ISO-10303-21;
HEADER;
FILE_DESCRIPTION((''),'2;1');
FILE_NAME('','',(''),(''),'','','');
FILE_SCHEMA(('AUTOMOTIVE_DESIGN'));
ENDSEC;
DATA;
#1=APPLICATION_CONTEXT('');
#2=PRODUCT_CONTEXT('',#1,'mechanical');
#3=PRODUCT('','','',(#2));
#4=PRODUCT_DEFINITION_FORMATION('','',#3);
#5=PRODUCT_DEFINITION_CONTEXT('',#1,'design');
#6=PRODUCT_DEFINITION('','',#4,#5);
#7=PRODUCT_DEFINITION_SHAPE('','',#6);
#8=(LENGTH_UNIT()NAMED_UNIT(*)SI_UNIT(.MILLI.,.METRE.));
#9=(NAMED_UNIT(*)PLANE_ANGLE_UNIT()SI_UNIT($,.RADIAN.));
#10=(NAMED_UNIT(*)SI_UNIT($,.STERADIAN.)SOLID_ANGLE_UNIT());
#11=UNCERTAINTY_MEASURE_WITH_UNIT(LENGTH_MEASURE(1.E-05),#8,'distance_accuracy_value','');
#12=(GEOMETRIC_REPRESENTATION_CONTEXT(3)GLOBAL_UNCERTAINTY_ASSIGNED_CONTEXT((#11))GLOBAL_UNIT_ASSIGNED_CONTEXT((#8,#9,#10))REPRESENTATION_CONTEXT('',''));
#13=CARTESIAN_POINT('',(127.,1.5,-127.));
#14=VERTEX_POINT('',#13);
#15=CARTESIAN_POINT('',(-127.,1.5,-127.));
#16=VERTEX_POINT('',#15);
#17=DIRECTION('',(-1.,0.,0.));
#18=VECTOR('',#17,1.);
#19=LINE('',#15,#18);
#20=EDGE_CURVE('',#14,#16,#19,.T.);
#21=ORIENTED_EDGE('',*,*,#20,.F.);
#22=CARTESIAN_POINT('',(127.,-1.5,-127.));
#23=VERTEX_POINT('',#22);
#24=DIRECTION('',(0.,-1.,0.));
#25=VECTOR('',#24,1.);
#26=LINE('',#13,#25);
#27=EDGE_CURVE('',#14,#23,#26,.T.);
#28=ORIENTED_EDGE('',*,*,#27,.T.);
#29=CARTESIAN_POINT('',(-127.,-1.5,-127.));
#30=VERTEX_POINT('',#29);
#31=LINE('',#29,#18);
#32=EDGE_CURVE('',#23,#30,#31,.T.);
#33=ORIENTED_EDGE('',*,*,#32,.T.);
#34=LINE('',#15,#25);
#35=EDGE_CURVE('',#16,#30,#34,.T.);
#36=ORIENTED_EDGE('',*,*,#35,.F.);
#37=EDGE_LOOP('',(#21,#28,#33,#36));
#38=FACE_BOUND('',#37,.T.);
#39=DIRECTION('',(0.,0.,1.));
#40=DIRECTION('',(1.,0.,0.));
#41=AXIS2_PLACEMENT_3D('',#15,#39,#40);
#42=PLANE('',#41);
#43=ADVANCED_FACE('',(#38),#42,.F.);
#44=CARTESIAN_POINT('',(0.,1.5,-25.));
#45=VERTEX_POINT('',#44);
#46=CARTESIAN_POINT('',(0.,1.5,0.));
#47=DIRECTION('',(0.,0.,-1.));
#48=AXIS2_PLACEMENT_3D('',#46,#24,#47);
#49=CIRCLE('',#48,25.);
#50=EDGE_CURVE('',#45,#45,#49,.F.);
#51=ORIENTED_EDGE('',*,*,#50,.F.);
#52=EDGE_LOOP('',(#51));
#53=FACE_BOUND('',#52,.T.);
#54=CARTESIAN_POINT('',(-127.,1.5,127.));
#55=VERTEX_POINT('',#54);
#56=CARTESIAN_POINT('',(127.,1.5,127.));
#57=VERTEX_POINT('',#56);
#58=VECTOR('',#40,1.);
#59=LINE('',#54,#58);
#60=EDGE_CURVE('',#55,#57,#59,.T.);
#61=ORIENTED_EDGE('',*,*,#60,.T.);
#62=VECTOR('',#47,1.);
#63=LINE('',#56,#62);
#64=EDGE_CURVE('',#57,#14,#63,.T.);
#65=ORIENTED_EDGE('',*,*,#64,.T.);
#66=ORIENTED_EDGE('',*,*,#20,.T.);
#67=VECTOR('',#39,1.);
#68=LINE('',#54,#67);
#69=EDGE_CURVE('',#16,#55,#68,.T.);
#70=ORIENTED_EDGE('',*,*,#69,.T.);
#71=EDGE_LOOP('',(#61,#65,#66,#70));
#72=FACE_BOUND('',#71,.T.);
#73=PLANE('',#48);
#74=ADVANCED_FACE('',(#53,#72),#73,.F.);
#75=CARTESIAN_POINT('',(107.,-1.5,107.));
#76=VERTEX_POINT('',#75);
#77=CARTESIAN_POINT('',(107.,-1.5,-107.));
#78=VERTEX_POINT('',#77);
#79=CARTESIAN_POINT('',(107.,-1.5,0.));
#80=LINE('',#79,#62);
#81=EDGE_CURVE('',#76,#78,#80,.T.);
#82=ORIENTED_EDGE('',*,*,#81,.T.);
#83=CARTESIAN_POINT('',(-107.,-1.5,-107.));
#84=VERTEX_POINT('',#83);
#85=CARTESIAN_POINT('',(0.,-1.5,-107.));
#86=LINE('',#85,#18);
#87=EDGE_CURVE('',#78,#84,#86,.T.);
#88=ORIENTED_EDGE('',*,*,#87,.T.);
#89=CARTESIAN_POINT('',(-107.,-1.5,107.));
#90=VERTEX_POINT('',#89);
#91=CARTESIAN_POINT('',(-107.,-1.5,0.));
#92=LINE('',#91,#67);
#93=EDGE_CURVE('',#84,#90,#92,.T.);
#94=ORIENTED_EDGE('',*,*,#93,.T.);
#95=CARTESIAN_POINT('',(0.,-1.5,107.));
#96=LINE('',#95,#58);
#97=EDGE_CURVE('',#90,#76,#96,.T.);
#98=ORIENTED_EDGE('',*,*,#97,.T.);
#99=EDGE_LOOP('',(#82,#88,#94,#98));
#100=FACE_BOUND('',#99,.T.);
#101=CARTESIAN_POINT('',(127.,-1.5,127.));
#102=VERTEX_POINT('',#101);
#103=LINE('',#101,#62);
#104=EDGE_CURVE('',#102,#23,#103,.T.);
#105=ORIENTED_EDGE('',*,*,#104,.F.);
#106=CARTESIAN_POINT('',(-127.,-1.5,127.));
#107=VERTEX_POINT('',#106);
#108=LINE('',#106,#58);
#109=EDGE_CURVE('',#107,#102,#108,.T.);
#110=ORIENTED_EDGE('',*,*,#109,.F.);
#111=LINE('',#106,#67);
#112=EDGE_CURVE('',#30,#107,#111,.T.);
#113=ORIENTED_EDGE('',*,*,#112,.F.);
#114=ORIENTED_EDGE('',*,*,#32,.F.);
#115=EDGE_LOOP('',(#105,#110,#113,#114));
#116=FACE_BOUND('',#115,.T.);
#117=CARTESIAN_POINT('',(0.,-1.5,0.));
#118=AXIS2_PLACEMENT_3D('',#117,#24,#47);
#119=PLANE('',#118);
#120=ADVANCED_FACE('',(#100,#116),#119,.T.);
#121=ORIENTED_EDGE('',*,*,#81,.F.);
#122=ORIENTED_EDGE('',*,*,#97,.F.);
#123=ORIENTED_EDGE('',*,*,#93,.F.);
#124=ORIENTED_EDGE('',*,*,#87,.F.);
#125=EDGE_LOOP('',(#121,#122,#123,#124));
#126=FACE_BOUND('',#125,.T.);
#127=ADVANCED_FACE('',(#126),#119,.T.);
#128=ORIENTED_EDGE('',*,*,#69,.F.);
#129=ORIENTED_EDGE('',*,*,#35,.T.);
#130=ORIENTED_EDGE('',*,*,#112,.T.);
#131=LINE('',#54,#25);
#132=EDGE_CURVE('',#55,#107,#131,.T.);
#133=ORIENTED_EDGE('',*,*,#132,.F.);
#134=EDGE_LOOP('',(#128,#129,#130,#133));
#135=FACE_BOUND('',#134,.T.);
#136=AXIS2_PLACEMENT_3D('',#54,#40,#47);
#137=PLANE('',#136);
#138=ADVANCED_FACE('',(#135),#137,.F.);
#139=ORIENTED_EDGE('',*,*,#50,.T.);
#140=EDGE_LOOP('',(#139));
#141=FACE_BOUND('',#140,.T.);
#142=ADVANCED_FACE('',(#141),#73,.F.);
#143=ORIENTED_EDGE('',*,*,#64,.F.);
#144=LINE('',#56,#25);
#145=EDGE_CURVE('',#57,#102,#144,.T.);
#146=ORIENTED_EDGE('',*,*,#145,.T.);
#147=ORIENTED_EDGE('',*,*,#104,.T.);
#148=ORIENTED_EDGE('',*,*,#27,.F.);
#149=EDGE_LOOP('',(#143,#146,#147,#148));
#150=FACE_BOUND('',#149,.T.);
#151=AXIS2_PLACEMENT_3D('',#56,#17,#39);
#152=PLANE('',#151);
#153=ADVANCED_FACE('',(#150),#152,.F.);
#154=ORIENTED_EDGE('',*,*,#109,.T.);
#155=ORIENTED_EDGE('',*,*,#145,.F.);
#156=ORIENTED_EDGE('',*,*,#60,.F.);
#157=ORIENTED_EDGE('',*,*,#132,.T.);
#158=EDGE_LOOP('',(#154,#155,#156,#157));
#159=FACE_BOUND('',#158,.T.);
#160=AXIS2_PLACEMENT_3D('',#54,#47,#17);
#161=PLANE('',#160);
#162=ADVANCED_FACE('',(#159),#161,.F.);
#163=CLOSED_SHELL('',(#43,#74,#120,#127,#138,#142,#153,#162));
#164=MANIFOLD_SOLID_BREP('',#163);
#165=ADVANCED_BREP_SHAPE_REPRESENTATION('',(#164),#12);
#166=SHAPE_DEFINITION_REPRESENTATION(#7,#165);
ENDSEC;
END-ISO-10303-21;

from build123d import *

# Parameters (mm, degrees)
SKETCH1_W           = 254
SKETCH1_H           = 254
BOSS_EXTRUDE1_DEPTH = 1.5


with BuildPart() as part:
    # Sketch1 → Boss-Extrude1 (new, symmetric)
    with BuildSketch(Plane(origin=(0, 0, 0), x_dir=(1, 0, 0), z_dir=(0, 1, 0))):
        Rectangle(SKETCH1_W, SKETCH1_H)
    extrude(amount=BOSS_EXTRUDE1_DEPTH, both=True)


solid = part.part
